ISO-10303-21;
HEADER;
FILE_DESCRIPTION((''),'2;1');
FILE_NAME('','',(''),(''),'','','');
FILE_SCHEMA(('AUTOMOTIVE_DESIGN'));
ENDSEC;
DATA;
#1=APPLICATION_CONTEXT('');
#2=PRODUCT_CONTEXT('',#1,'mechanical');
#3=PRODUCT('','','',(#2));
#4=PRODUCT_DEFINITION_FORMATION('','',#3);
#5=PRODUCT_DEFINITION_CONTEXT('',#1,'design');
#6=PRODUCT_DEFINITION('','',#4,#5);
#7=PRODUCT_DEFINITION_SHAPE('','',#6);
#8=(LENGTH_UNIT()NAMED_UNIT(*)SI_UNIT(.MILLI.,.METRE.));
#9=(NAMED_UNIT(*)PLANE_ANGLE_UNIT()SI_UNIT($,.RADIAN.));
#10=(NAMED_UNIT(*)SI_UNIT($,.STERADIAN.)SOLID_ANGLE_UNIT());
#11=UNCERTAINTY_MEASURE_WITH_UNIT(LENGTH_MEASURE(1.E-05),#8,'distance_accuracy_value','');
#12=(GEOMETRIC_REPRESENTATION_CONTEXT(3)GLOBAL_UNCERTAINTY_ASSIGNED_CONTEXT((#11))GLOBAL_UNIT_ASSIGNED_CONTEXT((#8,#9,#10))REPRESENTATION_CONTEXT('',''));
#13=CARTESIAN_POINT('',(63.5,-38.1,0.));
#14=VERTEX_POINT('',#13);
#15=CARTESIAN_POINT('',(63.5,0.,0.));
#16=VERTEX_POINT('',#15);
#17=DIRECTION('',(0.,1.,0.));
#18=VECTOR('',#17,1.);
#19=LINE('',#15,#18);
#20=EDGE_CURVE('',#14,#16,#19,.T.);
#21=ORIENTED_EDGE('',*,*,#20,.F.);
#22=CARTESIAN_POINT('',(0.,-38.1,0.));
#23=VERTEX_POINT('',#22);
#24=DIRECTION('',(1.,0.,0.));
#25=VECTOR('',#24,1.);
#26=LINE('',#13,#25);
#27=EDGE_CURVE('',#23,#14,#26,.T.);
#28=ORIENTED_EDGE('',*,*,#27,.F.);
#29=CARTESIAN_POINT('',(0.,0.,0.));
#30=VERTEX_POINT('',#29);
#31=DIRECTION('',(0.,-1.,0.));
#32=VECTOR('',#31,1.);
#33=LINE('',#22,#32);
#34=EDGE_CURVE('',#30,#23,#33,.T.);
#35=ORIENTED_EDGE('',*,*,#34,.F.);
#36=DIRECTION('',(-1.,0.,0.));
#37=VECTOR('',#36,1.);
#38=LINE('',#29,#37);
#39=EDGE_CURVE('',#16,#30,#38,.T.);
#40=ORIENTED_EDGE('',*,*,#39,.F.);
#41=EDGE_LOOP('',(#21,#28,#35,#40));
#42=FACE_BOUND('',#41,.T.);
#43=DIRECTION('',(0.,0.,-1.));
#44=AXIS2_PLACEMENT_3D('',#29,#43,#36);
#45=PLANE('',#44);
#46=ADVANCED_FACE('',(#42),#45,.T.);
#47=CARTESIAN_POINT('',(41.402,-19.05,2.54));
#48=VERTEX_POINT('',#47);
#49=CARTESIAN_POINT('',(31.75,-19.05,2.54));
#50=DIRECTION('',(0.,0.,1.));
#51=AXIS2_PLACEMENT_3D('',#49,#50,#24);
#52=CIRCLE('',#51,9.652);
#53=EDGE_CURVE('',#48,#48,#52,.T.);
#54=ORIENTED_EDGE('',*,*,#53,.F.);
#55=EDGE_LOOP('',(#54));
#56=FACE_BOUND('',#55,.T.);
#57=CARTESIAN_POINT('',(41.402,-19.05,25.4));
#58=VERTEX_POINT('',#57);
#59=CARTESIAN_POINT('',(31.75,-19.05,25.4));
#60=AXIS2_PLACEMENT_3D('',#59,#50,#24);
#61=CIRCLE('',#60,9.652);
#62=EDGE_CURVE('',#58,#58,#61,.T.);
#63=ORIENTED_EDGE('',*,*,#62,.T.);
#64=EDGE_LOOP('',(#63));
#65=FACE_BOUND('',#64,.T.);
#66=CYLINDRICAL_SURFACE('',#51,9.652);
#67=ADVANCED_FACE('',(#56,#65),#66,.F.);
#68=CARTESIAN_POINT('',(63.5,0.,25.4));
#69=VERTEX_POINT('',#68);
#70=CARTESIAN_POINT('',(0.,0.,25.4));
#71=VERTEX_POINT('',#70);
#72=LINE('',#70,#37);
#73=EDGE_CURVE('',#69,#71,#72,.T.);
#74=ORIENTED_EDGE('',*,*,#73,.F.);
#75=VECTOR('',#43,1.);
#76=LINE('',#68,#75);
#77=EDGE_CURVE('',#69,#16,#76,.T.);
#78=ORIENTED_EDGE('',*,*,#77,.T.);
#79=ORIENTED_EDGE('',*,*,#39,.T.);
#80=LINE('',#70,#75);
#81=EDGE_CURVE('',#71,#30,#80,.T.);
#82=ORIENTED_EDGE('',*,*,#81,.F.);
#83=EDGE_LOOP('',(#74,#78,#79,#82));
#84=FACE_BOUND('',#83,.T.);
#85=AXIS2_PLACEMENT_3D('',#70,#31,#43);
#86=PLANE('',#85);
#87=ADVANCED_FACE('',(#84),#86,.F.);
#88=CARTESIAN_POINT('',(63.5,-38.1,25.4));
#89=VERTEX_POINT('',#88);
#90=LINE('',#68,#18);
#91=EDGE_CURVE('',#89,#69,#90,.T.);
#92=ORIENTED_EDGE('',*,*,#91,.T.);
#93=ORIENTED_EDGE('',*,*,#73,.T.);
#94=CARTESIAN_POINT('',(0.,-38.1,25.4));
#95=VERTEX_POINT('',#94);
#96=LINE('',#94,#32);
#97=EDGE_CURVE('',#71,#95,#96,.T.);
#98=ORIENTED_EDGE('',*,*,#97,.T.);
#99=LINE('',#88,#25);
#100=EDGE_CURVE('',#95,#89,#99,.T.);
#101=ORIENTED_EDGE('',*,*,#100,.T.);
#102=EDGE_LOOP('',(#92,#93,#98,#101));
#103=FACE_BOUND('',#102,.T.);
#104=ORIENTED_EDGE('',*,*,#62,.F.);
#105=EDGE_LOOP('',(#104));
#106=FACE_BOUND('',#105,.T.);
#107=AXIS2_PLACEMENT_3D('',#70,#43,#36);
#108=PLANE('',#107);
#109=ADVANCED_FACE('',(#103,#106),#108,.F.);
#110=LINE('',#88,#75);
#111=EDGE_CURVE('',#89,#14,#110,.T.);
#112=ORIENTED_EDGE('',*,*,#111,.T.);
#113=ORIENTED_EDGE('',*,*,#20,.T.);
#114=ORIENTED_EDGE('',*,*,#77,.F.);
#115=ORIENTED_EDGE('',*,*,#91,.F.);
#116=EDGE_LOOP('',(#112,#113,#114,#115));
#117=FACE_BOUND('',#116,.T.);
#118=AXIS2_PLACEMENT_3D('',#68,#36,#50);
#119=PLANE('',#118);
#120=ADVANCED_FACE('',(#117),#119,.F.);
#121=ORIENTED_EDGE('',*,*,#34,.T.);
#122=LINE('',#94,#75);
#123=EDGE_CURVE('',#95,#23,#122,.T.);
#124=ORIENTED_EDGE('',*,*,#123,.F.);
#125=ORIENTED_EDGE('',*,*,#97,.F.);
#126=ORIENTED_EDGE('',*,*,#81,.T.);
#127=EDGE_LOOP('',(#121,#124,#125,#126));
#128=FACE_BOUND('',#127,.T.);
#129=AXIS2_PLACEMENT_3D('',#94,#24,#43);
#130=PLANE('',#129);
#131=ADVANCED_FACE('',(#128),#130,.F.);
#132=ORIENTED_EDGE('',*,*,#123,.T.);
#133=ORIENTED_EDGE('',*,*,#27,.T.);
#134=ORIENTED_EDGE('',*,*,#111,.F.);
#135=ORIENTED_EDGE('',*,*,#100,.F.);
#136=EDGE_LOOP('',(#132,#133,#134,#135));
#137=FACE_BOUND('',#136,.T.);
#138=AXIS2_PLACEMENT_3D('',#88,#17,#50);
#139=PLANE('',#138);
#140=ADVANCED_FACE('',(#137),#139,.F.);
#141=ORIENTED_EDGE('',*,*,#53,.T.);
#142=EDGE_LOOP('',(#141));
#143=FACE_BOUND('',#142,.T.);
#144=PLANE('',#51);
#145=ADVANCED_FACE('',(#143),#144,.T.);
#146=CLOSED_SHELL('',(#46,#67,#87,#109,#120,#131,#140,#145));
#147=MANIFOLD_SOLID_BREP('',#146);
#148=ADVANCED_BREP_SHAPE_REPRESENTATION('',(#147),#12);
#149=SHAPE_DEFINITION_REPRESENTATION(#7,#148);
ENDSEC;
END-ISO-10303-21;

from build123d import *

# Parameters (mm, degrees)
SKETCH1_W           = 63.5
SKETCH1_H           = 38.1
BOSS_EXTRUDE1_DEPTH = 25.4
SKETCH2_R           = 9.652
CUT_EXTRUDE1_DEPTH  = 22.86


with BuildPart() as part:
    # Sketch1 → Boss-Extrude1 (new body)
    with BuildSketch(Plane.XY):
        with Locations((31.75, -19.05)):
            Rectangle(SKETCH1_W, SKETCH1_H)
    extrude(amount=BOSS_EXTRUDE1_DEPTH)

    # Sketch2 → Cut-Extrude1 (cut)
    with BuildSketch(Plane.XY.offset(25.4)):
        with Locations((31.75, -19.05)):
            Circle(SKETCH2_R)
    extrude(amount=-CUT_EXTRUDE1_DEPTH, mode=Mode.SUBTRACT)


solid = part.part
